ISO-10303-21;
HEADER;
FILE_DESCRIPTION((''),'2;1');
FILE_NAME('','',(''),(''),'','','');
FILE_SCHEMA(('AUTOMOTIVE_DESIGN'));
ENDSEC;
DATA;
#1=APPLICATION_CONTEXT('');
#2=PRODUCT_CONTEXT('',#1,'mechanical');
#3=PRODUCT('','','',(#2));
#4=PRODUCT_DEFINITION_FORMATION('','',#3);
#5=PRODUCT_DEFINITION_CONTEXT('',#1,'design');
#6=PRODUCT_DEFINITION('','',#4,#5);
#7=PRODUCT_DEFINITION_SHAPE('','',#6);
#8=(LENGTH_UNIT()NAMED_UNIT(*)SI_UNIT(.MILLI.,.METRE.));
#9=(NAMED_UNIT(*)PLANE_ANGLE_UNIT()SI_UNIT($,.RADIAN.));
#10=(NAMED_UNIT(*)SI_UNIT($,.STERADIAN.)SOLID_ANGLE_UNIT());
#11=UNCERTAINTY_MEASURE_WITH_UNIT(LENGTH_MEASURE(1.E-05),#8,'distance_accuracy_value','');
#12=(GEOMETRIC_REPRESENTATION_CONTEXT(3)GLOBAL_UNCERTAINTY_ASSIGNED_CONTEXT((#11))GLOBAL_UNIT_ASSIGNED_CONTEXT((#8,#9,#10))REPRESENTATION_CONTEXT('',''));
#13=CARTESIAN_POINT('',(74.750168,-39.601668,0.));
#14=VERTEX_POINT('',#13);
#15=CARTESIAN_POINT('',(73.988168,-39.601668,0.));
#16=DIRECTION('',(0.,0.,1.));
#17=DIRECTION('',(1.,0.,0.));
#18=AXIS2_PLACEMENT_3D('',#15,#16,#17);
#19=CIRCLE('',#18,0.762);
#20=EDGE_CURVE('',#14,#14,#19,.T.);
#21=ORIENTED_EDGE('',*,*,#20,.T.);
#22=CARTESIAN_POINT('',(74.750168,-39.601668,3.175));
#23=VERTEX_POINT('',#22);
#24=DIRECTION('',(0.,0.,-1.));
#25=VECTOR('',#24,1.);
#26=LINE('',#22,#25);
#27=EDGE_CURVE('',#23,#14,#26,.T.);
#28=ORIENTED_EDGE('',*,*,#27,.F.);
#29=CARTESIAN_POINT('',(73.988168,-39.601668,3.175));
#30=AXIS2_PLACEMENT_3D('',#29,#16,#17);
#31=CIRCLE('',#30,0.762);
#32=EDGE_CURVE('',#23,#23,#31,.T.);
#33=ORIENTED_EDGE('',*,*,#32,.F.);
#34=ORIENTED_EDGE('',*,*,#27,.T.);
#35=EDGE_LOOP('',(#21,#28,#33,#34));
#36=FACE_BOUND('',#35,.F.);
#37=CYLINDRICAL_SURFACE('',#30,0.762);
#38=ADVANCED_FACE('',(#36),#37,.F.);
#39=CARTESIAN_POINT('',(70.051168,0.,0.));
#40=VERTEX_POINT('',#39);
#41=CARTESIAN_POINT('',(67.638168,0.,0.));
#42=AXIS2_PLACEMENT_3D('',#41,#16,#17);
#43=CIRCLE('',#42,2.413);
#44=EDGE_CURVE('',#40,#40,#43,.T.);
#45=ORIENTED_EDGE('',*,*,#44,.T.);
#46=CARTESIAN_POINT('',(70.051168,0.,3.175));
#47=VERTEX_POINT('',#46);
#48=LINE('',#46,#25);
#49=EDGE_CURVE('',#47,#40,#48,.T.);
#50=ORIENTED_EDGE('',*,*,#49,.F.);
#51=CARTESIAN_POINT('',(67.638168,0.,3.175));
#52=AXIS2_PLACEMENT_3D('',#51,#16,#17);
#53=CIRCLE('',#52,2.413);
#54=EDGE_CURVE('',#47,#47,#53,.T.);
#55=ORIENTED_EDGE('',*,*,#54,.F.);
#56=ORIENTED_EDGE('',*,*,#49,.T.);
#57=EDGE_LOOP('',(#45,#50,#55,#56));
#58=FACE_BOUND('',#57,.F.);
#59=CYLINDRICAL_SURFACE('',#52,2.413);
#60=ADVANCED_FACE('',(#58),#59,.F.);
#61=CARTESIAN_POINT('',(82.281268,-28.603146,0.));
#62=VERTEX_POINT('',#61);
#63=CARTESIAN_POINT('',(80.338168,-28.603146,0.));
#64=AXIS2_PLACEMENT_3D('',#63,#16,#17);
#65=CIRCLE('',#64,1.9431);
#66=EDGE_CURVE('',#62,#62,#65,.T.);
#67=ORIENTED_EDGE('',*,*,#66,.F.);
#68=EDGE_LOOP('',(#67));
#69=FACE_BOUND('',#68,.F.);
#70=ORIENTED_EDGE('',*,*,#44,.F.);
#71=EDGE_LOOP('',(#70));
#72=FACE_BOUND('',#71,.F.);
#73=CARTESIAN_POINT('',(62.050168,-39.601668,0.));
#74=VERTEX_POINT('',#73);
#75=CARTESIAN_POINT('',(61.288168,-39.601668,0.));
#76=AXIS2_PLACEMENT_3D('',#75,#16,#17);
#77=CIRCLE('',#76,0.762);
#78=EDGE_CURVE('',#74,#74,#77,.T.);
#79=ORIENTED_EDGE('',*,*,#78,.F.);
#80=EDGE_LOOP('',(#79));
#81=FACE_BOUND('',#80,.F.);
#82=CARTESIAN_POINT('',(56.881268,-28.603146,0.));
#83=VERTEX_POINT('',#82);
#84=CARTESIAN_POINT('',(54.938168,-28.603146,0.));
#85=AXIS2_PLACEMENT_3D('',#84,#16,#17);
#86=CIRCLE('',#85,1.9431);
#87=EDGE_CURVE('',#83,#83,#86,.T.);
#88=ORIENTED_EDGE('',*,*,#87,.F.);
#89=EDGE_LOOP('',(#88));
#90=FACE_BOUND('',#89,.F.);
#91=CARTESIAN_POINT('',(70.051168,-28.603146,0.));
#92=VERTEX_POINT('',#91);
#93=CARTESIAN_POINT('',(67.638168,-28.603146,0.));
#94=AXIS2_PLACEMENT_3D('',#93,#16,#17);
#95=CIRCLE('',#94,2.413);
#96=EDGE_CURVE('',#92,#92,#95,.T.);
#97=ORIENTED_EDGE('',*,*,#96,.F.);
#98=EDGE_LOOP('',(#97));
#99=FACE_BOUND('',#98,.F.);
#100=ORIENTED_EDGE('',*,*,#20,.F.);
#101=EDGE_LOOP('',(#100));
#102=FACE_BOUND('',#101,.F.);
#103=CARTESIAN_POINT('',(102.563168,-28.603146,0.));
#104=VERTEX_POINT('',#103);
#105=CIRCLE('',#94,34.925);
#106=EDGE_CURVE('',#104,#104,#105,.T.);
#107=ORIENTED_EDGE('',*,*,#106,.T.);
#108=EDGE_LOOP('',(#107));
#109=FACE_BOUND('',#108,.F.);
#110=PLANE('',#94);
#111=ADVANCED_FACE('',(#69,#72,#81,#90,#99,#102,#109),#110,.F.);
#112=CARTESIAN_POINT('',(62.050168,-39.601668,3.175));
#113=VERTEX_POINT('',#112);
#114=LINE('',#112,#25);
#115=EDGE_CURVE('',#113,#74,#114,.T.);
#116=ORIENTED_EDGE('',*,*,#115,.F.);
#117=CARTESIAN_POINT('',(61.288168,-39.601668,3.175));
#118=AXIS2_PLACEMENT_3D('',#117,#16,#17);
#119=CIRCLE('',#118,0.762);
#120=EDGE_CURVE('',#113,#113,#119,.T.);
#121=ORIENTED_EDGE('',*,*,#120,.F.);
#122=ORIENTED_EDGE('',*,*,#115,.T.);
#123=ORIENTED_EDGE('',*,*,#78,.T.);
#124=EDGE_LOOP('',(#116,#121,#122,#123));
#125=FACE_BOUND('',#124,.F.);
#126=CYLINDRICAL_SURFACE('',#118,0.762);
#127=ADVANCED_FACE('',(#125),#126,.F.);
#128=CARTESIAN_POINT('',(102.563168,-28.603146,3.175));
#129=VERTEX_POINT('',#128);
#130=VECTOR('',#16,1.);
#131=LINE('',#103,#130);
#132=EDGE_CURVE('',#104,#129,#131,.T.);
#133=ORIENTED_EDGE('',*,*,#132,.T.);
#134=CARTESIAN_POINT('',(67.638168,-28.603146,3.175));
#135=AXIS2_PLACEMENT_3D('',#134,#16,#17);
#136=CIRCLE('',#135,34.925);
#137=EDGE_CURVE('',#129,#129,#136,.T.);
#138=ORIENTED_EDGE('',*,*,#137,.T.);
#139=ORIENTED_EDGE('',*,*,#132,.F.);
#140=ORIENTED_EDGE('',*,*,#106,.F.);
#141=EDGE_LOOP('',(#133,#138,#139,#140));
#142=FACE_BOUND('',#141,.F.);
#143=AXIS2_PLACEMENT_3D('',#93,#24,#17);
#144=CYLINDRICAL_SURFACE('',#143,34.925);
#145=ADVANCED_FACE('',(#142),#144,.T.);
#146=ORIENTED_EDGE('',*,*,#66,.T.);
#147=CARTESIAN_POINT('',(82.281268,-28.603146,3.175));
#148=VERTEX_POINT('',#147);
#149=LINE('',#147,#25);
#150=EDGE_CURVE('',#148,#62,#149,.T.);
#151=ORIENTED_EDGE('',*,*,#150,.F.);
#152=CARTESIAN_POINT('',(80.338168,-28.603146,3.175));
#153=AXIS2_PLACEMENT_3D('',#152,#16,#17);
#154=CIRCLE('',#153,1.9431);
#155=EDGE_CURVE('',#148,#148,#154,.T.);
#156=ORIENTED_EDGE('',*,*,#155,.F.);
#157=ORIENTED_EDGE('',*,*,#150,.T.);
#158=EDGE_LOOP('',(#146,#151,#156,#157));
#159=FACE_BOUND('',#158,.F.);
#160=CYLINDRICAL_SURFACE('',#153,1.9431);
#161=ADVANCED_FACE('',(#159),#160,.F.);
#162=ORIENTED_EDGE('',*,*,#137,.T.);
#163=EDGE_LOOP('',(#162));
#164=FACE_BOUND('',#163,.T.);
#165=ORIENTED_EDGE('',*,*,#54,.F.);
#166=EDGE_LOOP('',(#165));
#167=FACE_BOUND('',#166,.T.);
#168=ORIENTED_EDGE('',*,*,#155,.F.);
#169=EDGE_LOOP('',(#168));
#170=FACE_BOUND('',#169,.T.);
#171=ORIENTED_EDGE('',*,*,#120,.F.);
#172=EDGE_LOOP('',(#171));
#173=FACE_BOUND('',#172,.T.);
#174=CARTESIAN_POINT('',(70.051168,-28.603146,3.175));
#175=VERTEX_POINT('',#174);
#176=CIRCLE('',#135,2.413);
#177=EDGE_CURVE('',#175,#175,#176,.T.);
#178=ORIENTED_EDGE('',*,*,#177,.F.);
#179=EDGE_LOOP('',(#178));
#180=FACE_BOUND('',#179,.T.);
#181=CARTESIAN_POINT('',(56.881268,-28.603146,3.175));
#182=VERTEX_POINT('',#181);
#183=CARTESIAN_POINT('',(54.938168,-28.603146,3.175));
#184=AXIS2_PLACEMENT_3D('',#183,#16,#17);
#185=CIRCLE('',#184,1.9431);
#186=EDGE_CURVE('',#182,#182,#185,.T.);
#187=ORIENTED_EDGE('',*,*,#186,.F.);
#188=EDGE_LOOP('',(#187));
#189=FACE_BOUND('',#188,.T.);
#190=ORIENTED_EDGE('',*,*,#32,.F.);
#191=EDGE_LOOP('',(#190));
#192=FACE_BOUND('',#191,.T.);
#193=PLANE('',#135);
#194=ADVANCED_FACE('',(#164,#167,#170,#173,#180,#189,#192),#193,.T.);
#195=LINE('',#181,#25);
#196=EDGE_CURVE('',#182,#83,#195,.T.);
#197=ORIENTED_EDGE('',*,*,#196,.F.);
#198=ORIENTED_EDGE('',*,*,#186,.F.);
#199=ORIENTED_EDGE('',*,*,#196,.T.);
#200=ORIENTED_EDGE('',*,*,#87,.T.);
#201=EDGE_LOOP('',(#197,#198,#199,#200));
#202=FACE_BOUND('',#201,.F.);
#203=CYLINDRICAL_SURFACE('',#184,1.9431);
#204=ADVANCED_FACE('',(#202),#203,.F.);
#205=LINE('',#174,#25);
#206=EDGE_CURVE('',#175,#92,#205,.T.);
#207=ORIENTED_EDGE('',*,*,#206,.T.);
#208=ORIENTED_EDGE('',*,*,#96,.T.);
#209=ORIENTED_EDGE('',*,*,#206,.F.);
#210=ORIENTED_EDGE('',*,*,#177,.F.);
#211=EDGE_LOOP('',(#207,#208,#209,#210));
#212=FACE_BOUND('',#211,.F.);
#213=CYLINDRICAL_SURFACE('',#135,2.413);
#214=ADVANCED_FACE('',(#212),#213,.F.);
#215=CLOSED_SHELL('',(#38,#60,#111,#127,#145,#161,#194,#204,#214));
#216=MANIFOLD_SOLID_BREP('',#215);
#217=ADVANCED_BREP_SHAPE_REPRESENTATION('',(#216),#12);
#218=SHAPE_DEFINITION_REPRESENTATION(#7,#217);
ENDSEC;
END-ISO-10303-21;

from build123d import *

# Parameters (mm, degrees)
SKETCH1_R           = 34.925
BOSS_EXTRUDE1_DEPTH = 3.175
CUT_EXTRUDE1_REACH  = 5.175
SKETCH2_R           = 2.413
CUT_EXTRUDE2_REACH  = 5.175
SKETCH4_R           = 1.9431
SKETCH4_R_2         = 0.762


with BuildPart() as part:
    # Sketch1 → Boss-Extrude1 (new body)
    with BuildSketch(Plane.XY):
        with Locations((67.638168, -28.60314574)):
            Circle(SKETCH1_R)
    extrude(amount=BOSS_EXTRUDE1_DEPTH)

    # Sketch2 → Cut-Extrude1 (cut, up to next)
    with BuildSketch(Plane.XY.offset(3.175), mode=Mode.PRIVATE) as cut_extrude1_sk1:
        with Locations((67.638168, 0)):
            Circle(SKETCH2_R)
    cut_extrude1_tool1 = extrude(cut_extrude1_sk1.sketch, amount=-CUT_EXTRUDE1_REACH, mode=Mode.PRIVATE) & part.part
    add(cut_extrude1_tool1.solids().sort_by_distance((67.638168, 0, 3.175))[0], mode=Mode.SUBTRACT)
    # Sketch2 → Cut-Extrude1 (cut, up to next)
    with BuildSketch(Plane.XY.offset(3.175), mode=Mode.PRIVATE) as cut_extrude1_sk2:
        with Locations((67.638168, -28.60314574)):
            Circle(SKETCH2_R)
    cut_extrude1_tool2 = extrude(cut_extrude1_sk2.sketch, amount=-CUT_EXTRUDE1_REACH, mode=Mode.PRIVATE) & part.part
    add(cut_extrude1_tool2.solids().sort_by_distance((67.638168, -28.603146, 3.175))[0], mode=Mode.SUBTRACT)

    # Sketch4 → Cut-Extrude2 (cut, up to next)
    with BuildSketch(Plane.XY.offset(3.175), mode=Mode.PRIVATE) as cut_extrude2_sk1:
        with Locations((54.938168, -28.60314574)):
            Circle(SKETCH4_R)
    cut_extrude2_tool1 = extrude(cut_extrude2_sk1.sketch, amount=-CUT_EXTRUDE2_REACH, mode=Mode.PRIVATE) & part.part
    add(cut_extrude2_tool1.solids().sort_by_distance((54.938168, -28.603146, 3.175))[0], mode=Mode.SUBTRACT)
    # Sketch4 → Cut-Extrude2 (cut, up to next)
    with BuildSketch(Plane.XY.offset(3.175), mode=Mode.PRIVATE) as cut_extrude2_sk2:
        with Locations((61.288168, -39.601668368)):
            Circle(SKETCH4_R_2)
    cut_extrude2_tool2 = extrude(cut_extrude2_sk2.sketch, amount=-CUT_EXTRUDE2_REACH, mode=Mode.PRIVATE) & part.part
    add(cut_extrude2_tool2.solids().sort_by_distance((61.288168, -39.601668, 3.175))[0], mode=Mode.SUBTRACT)
    # Sketch4 → Cut-Extrude2 (cut, up to next)
    with BuildSketch(Plane.XY.offset(3.175), mode=Mode.PRIVATE) as cut_extrude2_sk3:
        with Locations((80.338168, -28.60314574)):
            Circle(SKETCH4_R)
    cut_extrude2_tool3 = extrude(cut_extrude2_sk3.sketch, amount=-CUT_EXTRUDE2_REACH, mode=Mode.PRIVATE) & part.part
    add(cut_extrude2_tool3.solids().sort_by_distance((80.338168, -28.603146, 3.175))[0], mode=Mode.SUBTRACT)
    # Sketch4 → Cut-Extrude2 (cut, up to next)
    with BuildSketch(Plane.XY.offset(3.175), mode=Mode.PRIVATE) as cut_extrude2_sk4:
        with Locations((73.988168, -39.601668368)):
            Circle(SKETCH4_R_2)
    cut_extrude2_tool4 = extrude(cut_extrude2_sk4.sketch, amount=-CUT_EXTRUDE2_REACH, mode=Mode.PRIVATE) & part.part
    add(cut_extrude2_tool4.solids().sort_by_distance((73.988168, -39.601668, 3.175))[0], mode=Mode.SUBTRACT)


solid = part.part
